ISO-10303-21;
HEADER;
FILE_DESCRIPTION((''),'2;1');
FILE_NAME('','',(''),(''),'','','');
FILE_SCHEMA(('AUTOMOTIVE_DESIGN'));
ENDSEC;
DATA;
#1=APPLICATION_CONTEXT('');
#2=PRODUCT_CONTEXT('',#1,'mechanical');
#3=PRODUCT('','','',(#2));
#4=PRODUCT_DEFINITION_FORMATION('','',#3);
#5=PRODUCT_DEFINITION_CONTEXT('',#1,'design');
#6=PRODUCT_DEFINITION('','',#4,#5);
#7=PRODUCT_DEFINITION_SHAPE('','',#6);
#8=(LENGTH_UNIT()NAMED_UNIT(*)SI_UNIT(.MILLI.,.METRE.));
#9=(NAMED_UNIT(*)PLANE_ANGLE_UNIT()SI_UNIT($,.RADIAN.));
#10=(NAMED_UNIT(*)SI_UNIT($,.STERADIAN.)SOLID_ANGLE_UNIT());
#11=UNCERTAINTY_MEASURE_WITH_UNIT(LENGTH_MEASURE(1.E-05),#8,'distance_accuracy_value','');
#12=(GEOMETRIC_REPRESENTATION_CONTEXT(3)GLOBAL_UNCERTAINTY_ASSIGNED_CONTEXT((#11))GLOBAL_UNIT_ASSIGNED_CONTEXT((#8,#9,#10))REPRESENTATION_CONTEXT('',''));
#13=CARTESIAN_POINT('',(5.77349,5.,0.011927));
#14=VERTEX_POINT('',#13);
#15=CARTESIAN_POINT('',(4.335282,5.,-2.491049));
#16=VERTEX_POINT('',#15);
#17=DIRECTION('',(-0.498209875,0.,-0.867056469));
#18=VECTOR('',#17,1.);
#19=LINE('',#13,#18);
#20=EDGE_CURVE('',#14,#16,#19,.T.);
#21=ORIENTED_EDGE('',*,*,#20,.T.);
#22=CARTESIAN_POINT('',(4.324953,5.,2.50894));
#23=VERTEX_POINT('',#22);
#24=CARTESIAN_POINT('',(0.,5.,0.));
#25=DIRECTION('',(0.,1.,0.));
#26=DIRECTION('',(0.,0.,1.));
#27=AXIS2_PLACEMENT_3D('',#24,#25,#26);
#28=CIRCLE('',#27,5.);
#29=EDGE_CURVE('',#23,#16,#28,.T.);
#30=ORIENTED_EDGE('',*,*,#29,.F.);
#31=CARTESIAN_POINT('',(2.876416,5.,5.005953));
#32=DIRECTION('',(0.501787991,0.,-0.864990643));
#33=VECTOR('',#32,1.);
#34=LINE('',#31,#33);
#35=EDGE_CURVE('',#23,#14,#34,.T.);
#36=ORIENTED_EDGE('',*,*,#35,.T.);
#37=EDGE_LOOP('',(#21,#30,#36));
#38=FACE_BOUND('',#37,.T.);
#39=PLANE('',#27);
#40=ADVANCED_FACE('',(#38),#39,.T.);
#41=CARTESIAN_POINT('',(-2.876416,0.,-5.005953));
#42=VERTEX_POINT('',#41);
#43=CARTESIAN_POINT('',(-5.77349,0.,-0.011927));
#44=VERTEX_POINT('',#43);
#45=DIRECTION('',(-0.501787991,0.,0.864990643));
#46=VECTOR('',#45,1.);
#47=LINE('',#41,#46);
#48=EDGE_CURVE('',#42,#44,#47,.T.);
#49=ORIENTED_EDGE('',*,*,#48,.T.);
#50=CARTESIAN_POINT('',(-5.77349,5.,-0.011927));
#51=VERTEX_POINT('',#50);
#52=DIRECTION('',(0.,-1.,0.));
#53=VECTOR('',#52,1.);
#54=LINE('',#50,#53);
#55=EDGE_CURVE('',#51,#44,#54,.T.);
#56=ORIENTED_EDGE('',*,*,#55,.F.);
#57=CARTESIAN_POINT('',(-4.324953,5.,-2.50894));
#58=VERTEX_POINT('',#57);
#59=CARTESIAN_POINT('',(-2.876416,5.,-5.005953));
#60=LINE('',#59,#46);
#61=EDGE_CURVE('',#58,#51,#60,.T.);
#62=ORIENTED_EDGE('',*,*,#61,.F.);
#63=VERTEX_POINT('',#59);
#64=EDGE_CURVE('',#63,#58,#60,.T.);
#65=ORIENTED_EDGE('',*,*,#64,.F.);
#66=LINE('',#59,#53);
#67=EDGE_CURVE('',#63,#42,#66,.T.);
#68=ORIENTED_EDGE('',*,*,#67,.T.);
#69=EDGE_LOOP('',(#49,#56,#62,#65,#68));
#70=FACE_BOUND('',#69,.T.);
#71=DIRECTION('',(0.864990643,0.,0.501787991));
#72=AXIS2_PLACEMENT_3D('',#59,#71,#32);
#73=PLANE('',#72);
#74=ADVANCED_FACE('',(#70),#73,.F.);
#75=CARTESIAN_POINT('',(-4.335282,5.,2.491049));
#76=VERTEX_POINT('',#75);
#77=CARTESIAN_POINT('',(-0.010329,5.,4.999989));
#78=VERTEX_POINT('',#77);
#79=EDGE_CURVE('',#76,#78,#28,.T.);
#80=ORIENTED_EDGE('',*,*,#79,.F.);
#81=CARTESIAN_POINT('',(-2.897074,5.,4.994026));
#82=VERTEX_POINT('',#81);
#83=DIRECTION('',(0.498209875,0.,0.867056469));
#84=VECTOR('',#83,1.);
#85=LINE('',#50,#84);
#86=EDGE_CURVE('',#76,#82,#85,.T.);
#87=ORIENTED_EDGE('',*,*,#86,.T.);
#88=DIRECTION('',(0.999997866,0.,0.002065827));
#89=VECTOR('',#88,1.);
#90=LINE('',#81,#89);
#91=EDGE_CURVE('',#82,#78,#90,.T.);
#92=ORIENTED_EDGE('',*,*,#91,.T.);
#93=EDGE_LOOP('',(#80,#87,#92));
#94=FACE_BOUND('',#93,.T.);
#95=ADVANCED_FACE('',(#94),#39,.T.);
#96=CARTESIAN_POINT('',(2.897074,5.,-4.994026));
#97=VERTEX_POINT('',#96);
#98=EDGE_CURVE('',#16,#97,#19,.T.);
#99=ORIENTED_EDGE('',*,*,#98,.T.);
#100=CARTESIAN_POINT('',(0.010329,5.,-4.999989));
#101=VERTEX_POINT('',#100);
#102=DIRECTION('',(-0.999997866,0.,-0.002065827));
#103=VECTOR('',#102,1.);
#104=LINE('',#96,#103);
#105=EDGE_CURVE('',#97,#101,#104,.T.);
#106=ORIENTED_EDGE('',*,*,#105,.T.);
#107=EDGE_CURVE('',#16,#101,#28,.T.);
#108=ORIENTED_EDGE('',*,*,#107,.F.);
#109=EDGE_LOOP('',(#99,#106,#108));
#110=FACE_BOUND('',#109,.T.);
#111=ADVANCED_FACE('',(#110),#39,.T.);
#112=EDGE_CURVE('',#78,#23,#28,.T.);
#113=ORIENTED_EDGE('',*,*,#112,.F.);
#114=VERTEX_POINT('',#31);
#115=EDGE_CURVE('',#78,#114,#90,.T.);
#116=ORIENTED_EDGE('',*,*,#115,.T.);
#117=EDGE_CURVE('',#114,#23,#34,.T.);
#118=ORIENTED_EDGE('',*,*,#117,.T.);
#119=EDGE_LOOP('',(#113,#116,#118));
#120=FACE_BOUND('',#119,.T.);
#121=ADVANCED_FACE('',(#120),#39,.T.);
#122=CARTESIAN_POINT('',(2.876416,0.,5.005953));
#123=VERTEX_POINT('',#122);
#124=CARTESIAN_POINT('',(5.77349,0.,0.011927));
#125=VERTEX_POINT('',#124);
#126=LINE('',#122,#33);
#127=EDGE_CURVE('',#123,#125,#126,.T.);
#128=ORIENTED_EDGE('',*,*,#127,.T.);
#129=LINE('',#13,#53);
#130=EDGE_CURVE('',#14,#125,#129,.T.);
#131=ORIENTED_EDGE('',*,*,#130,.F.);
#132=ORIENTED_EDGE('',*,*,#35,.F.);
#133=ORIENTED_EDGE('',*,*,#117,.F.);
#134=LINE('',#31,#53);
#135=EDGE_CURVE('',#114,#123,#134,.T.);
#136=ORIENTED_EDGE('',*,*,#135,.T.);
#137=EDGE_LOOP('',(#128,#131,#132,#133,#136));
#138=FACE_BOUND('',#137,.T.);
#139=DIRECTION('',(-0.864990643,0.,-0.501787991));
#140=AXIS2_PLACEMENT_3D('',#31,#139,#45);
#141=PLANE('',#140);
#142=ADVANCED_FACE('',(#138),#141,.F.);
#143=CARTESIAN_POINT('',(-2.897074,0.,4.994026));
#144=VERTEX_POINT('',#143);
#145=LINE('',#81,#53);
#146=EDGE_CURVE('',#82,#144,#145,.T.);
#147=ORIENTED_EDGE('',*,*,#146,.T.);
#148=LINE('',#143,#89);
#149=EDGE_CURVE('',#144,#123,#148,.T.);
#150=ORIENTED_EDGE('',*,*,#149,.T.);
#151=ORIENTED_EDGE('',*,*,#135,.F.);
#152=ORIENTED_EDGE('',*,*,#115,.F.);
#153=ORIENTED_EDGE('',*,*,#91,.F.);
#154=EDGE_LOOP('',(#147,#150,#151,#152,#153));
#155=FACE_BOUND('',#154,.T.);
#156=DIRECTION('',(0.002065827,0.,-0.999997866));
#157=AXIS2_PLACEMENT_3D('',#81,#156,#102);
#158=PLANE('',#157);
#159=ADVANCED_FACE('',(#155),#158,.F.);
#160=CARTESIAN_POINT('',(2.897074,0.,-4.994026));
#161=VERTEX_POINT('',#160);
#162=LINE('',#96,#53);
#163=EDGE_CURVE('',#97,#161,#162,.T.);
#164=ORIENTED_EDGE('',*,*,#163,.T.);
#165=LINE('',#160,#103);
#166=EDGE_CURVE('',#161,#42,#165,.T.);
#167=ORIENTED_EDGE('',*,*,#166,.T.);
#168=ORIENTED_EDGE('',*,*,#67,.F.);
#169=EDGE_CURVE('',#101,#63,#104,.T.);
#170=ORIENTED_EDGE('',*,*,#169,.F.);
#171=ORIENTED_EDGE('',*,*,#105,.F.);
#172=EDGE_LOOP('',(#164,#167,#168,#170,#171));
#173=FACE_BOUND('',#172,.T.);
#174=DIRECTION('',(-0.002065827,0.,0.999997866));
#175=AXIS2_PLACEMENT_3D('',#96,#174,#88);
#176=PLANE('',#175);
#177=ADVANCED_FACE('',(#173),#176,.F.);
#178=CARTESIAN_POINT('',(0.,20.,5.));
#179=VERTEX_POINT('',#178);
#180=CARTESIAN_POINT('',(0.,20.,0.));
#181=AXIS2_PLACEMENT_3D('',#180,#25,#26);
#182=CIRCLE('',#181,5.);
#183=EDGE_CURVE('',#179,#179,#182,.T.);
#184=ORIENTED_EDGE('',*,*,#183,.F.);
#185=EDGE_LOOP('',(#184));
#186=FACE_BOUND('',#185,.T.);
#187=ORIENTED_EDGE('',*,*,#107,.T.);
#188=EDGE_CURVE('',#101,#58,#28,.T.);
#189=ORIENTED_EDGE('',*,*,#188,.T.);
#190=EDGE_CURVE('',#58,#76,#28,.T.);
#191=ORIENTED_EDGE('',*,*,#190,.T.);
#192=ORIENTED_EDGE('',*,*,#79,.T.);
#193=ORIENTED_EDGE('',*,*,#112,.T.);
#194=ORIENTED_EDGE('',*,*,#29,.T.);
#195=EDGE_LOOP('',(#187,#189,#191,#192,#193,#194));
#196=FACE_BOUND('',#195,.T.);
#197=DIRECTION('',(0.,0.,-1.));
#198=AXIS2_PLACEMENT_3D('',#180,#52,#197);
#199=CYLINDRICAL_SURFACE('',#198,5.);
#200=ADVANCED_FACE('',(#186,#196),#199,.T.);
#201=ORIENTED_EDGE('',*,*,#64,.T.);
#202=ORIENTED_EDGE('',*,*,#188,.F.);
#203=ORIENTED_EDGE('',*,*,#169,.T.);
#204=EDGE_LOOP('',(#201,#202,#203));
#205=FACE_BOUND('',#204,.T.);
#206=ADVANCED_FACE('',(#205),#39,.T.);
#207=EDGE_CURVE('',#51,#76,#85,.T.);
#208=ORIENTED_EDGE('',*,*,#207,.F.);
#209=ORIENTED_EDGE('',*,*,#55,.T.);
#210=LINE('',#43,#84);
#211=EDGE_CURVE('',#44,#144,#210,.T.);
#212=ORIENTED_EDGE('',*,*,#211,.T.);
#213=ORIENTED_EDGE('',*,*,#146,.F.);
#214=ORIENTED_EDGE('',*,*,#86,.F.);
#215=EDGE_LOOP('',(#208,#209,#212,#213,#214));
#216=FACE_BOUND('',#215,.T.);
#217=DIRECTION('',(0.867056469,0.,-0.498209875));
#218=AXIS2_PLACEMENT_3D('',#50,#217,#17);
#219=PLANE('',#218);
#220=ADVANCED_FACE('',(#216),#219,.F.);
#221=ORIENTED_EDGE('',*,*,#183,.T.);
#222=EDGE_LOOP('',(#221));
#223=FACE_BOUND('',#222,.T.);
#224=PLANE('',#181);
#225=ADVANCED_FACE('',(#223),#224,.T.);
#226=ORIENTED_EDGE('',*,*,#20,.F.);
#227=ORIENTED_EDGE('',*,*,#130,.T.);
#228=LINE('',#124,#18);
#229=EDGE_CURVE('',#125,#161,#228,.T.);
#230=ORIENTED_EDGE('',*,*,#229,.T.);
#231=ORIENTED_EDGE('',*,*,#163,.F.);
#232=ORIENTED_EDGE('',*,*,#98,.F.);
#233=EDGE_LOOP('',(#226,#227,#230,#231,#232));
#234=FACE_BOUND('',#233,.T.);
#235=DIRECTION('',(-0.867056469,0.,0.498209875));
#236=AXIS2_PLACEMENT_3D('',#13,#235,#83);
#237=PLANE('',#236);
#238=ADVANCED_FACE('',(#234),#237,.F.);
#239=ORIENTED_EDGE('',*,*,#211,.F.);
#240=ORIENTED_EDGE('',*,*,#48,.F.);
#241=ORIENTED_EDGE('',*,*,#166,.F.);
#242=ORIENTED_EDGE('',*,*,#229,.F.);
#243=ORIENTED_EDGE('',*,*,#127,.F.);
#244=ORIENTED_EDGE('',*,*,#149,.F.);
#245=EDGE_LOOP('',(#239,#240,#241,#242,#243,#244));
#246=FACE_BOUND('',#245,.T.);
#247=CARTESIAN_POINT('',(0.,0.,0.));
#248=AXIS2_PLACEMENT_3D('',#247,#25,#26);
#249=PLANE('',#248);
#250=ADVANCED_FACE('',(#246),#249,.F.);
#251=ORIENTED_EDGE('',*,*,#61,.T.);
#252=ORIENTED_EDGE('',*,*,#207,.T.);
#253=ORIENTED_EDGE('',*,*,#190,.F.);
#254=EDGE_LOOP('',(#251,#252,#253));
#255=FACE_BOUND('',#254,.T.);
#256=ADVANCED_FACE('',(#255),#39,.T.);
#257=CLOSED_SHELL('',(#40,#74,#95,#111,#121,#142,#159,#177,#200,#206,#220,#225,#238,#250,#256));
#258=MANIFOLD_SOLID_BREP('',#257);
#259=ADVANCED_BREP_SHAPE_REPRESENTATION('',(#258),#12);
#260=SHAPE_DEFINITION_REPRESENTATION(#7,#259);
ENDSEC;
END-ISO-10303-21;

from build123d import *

# Parameters (mm, degrees)
SALIENTE_EXTRUIR1_DEPTH = 5
CROQUIS2_R              = 5
SALIENTE_EXTRUIR2_DEPTH = 15


with BuildPart() as part:
    # Croquis1 → Saliente-Extruir1 (new body)
    with BuildSketch(Plane(origin=(0, 0, 0), x_dir=(1, 0, 0), z_dir=(0, 1, 0))):
        Polygon((2.897074319, 4.994025803), (-2.876416054, 5.005952858), (-5.773490372, 0.011927055), (-2.897074319, -4.994025803), (2.876416054, -5.005952858), (5.773490372, -0.011927055), align=None)
    extrude(amount=SALIENTE_EXTRUIR1_DEPTH)

    # Croquis2 → Saliente-Extruir2 (add)
    with BuildSketch(Plane(origin=(0, 5, 0), x_dir=(1, 0, 0), z_dir=(0, 1, 0))):
        with Locations(Location((0, 0, 0), (0, 0, 89.881636776))):
            Circle(CROQUIS2_R)
    extrude(amount=SALIENTE_EXTRUIR2_DEPTH)


solid = part.part
